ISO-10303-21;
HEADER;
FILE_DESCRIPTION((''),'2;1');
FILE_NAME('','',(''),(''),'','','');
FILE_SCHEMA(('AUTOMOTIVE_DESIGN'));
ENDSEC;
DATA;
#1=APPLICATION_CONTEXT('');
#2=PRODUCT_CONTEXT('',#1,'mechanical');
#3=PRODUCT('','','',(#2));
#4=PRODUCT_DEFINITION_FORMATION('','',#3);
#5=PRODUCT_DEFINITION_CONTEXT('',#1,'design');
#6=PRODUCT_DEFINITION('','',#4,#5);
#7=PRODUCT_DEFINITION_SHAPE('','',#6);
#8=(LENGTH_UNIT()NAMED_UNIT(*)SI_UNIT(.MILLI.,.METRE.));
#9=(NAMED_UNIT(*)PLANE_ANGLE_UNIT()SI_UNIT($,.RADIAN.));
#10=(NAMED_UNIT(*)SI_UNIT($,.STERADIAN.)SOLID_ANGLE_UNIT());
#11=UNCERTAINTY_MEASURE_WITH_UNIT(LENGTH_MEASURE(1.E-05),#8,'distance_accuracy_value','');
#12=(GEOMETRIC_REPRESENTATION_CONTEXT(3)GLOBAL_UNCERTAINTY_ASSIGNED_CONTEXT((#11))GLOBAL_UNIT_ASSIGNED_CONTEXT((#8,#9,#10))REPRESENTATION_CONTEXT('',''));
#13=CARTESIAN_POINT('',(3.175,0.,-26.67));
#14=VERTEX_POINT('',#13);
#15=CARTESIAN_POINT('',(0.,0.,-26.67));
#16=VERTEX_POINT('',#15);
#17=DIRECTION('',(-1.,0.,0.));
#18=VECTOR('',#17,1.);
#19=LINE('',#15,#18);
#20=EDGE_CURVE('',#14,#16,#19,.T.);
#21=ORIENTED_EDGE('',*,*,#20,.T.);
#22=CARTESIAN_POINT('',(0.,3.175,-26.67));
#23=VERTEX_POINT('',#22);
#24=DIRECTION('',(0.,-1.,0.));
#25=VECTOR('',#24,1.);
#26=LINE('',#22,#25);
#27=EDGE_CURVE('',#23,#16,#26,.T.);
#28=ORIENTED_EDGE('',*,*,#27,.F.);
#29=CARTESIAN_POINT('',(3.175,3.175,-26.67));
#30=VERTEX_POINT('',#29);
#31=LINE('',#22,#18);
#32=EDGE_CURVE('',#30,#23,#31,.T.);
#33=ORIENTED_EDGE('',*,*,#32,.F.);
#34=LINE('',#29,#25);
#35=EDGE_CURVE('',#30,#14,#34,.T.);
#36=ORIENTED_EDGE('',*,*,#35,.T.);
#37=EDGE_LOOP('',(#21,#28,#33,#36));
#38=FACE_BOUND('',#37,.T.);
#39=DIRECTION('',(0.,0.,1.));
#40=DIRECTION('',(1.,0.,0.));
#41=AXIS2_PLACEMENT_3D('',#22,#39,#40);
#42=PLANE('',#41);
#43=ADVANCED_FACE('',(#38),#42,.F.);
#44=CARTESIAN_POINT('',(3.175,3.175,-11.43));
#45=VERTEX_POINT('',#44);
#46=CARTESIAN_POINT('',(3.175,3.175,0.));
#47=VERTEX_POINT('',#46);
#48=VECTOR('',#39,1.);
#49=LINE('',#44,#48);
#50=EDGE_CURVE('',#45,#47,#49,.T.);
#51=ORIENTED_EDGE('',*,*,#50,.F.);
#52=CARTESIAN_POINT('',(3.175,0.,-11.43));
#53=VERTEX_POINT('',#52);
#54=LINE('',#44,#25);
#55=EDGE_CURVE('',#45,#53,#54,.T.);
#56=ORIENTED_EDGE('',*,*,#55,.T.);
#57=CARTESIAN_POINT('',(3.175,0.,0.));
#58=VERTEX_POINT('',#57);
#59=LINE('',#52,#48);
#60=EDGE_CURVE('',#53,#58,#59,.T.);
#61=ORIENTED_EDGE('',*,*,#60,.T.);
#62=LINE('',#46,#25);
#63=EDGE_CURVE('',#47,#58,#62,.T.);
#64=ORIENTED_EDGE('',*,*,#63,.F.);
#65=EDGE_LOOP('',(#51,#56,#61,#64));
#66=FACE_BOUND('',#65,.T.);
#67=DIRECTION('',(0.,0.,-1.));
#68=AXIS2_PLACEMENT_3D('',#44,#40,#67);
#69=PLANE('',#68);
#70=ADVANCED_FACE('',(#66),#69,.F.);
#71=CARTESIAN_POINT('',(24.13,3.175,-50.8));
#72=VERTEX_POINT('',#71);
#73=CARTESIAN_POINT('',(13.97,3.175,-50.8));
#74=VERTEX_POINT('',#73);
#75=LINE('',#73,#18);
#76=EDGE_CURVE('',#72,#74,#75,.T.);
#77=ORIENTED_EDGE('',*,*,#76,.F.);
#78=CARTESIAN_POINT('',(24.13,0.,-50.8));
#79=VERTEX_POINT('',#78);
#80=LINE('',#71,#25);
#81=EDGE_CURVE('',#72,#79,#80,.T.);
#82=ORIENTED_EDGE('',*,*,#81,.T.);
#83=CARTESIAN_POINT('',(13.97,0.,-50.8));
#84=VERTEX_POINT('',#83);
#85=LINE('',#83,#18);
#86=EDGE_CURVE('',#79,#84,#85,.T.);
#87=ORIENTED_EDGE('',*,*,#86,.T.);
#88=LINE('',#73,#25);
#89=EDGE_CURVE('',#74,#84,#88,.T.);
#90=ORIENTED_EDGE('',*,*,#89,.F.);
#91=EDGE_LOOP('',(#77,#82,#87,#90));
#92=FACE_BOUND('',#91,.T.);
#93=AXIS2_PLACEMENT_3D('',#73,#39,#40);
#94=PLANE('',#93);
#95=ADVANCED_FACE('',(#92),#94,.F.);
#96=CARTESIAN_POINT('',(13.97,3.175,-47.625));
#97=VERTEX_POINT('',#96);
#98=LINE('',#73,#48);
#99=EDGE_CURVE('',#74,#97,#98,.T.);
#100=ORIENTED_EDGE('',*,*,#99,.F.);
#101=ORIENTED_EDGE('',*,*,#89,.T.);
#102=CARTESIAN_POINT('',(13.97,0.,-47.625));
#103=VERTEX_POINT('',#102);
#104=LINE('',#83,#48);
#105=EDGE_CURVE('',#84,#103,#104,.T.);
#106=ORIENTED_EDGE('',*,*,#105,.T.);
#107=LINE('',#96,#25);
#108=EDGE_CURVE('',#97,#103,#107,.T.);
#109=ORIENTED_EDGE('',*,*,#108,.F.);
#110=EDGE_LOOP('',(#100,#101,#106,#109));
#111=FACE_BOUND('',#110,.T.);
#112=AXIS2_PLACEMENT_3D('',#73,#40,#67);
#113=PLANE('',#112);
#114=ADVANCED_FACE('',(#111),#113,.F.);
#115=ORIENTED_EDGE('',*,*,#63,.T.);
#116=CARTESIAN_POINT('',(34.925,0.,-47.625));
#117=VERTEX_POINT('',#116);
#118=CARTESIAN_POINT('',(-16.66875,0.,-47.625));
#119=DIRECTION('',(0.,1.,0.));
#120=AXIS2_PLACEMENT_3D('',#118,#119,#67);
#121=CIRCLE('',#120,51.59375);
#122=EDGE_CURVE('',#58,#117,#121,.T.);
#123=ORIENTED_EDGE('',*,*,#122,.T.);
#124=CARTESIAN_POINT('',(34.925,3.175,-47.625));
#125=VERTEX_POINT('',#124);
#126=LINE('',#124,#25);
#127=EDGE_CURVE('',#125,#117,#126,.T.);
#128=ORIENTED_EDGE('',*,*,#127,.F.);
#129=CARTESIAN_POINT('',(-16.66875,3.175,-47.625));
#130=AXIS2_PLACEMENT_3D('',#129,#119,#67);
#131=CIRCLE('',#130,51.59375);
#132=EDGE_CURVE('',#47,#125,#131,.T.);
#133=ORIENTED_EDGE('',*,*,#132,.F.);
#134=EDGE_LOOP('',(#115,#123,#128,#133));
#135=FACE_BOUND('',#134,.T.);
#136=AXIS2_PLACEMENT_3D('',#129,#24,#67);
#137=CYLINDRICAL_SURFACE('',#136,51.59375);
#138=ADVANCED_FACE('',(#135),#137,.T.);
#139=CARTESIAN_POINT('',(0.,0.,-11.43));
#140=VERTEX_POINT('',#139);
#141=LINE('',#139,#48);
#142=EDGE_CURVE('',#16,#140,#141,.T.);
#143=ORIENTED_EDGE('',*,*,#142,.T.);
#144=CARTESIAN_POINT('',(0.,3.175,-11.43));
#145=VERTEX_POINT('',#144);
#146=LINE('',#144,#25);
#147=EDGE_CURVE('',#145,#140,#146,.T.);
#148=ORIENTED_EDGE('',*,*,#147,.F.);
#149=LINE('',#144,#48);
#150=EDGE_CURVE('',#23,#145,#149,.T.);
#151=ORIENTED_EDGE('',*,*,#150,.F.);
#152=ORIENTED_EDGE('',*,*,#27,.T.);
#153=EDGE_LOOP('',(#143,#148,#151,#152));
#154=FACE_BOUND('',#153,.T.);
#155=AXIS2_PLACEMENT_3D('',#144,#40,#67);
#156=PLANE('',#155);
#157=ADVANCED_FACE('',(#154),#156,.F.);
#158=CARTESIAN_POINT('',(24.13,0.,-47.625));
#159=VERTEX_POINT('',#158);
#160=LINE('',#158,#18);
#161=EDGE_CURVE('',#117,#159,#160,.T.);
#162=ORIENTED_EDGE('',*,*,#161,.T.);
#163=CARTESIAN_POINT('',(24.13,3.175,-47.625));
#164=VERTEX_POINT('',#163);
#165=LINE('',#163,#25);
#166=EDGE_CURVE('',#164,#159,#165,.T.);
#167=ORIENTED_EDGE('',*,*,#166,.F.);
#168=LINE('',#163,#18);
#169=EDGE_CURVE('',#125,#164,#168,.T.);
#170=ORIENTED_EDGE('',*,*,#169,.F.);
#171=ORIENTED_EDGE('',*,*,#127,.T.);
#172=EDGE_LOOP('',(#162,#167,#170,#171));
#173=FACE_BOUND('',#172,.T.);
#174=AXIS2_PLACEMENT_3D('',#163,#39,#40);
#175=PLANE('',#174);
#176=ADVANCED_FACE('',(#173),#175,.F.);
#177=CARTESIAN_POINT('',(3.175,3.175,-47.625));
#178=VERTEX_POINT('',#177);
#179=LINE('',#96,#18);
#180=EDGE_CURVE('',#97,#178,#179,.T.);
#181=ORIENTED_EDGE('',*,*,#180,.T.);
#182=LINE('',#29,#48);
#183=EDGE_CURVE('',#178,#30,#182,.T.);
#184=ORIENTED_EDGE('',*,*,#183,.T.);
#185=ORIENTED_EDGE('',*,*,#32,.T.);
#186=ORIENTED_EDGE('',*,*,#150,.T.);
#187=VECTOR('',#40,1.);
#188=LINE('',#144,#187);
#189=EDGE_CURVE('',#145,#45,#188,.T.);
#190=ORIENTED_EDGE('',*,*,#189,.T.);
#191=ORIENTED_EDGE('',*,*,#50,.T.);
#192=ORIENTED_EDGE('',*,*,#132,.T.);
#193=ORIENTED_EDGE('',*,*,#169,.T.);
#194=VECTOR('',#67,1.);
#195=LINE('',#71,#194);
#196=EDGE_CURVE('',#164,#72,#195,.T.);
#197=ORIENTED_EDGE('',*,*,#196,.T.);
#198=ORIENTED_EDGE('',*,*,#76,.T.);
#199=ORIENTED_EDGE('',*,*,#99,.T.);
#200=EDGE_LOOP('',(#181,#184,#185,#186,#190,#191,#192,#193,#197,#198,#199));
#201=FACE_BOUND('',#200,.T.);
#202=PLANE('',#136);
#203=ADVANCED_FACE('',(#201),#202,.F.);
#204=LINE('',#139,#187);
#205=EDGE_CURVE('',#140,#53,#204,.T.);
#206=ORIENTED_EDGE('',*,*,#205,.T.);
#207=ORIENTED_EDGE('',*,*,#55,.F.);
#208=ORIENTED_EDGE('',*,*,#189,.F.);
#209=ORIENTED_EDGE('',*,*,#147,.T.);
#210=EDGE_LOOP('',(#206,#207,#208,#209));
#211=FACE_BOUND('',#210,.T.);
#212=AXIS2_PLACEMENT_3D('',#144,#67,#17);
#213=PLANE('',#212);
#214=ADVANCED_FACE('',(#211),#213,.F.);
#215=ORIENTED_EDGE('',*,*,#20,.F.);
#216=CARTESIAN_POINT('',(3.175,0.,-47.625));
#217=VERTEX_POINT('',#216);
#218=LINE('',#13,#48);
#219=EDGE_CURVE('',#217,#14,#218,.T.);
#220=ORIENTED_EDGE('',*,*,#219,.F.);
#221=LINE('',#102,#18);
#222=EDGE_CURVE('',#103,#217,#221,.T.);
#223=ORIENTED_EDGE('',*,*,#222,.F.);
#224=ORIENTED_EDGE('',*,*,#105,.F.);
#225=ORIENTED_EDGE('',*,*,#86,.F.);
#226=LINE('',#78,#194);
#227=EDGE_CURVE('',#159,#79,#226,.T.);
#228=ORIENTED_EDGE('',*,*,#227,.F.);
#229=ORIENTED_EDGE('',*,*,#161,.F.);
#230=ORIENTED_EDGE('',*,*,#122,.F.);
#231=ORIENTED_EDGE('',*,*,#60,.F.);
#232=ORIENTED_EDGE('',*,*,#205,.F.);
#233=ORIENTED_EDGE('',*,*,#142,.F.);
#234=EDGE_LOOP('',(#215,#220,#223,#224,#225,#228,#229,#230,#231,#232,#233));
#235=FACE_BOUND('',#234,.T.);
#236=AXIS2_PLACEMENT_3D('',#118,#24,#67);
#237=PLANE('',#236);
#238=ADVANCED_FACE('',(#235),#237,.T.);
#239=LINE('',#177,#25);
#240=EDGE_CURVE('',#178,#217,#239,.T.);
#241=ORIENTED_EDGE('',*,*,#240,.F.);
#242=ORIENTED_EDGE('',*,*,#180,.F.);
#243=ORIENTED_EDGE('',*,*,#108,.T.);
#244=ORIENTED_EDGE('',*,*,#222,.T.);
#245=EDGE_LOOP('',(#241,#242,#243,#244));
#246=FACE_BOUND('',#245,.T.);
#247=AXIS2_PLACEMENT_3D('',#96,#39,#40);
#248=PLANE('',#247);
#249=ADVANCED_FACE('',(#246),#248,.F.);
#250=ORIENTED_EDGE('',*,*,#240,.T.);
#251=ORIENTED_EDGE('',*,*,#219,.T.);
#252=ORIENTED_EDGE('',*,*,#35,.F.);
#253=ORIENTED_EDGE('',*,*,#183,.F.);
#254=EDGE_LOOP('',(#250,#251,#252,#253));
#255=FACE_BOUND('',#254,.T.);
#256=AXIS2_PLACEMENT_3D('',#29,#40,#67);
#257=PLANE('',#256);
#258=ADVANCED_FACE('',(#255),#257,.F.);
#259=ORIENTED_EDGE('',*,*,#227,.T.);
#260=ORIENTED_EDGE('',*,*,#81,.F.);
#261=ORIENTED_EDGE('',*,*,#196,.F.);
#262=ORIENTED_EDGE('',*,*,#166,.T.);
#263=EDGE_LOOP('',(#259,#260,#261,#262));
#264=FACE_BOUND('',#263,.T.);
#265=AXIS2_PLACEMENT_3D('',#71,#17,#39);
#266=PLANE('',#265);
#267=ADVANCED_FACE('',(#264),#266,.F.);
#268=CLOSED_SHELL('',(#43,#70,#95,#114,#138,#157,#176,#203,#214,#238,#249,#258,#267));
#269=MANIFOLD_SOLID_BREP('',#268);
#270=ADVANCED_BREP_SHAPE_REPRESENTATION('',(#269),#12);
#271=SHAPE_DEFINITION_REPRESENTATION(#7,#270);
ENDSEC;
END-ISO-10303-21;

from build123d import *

# Parameters (mm, degrees)
BOSS_EXTRUDE1_DEPTH = 3.175


with BuildPart() as part:
    # Sketch1 → Boss-Extrude1 (new body)
    with BuildSketch(Plane(origin=(0, 0, 0), x_dir=(1, 0, 0), z_dir=(0, 1, 0))):
        with BuildLine():
            Line((0, 26.67), (3.175, 26.67))
            Line((3.175, 26.67), (3.175, 47.625))
            Line((3.175, 47.625), (13.97, 47.625))
            Line((13.97, 47.625), (13.97, 50.8))
            Line((13.97, 50.8), (24.13, 50.8))
            Line((24.13, 50.8), (24.13, 47.625))
            Line((24.13, 47.625), (34.925, 47.625))
            ThreePointArc((34.925, 47.625), (26.259844873, 19.005936751), (3.175, 0))
            Line((3.175, 0), (3.175, 11.43))
            Line((3.175, 11.43), (0, 11.43))
            Line((0, 11.43), (0, 26.67))
        make_face()
    extrude(amount=BOSS_EXTRUDE1_DEPTH)


solid = part.part
